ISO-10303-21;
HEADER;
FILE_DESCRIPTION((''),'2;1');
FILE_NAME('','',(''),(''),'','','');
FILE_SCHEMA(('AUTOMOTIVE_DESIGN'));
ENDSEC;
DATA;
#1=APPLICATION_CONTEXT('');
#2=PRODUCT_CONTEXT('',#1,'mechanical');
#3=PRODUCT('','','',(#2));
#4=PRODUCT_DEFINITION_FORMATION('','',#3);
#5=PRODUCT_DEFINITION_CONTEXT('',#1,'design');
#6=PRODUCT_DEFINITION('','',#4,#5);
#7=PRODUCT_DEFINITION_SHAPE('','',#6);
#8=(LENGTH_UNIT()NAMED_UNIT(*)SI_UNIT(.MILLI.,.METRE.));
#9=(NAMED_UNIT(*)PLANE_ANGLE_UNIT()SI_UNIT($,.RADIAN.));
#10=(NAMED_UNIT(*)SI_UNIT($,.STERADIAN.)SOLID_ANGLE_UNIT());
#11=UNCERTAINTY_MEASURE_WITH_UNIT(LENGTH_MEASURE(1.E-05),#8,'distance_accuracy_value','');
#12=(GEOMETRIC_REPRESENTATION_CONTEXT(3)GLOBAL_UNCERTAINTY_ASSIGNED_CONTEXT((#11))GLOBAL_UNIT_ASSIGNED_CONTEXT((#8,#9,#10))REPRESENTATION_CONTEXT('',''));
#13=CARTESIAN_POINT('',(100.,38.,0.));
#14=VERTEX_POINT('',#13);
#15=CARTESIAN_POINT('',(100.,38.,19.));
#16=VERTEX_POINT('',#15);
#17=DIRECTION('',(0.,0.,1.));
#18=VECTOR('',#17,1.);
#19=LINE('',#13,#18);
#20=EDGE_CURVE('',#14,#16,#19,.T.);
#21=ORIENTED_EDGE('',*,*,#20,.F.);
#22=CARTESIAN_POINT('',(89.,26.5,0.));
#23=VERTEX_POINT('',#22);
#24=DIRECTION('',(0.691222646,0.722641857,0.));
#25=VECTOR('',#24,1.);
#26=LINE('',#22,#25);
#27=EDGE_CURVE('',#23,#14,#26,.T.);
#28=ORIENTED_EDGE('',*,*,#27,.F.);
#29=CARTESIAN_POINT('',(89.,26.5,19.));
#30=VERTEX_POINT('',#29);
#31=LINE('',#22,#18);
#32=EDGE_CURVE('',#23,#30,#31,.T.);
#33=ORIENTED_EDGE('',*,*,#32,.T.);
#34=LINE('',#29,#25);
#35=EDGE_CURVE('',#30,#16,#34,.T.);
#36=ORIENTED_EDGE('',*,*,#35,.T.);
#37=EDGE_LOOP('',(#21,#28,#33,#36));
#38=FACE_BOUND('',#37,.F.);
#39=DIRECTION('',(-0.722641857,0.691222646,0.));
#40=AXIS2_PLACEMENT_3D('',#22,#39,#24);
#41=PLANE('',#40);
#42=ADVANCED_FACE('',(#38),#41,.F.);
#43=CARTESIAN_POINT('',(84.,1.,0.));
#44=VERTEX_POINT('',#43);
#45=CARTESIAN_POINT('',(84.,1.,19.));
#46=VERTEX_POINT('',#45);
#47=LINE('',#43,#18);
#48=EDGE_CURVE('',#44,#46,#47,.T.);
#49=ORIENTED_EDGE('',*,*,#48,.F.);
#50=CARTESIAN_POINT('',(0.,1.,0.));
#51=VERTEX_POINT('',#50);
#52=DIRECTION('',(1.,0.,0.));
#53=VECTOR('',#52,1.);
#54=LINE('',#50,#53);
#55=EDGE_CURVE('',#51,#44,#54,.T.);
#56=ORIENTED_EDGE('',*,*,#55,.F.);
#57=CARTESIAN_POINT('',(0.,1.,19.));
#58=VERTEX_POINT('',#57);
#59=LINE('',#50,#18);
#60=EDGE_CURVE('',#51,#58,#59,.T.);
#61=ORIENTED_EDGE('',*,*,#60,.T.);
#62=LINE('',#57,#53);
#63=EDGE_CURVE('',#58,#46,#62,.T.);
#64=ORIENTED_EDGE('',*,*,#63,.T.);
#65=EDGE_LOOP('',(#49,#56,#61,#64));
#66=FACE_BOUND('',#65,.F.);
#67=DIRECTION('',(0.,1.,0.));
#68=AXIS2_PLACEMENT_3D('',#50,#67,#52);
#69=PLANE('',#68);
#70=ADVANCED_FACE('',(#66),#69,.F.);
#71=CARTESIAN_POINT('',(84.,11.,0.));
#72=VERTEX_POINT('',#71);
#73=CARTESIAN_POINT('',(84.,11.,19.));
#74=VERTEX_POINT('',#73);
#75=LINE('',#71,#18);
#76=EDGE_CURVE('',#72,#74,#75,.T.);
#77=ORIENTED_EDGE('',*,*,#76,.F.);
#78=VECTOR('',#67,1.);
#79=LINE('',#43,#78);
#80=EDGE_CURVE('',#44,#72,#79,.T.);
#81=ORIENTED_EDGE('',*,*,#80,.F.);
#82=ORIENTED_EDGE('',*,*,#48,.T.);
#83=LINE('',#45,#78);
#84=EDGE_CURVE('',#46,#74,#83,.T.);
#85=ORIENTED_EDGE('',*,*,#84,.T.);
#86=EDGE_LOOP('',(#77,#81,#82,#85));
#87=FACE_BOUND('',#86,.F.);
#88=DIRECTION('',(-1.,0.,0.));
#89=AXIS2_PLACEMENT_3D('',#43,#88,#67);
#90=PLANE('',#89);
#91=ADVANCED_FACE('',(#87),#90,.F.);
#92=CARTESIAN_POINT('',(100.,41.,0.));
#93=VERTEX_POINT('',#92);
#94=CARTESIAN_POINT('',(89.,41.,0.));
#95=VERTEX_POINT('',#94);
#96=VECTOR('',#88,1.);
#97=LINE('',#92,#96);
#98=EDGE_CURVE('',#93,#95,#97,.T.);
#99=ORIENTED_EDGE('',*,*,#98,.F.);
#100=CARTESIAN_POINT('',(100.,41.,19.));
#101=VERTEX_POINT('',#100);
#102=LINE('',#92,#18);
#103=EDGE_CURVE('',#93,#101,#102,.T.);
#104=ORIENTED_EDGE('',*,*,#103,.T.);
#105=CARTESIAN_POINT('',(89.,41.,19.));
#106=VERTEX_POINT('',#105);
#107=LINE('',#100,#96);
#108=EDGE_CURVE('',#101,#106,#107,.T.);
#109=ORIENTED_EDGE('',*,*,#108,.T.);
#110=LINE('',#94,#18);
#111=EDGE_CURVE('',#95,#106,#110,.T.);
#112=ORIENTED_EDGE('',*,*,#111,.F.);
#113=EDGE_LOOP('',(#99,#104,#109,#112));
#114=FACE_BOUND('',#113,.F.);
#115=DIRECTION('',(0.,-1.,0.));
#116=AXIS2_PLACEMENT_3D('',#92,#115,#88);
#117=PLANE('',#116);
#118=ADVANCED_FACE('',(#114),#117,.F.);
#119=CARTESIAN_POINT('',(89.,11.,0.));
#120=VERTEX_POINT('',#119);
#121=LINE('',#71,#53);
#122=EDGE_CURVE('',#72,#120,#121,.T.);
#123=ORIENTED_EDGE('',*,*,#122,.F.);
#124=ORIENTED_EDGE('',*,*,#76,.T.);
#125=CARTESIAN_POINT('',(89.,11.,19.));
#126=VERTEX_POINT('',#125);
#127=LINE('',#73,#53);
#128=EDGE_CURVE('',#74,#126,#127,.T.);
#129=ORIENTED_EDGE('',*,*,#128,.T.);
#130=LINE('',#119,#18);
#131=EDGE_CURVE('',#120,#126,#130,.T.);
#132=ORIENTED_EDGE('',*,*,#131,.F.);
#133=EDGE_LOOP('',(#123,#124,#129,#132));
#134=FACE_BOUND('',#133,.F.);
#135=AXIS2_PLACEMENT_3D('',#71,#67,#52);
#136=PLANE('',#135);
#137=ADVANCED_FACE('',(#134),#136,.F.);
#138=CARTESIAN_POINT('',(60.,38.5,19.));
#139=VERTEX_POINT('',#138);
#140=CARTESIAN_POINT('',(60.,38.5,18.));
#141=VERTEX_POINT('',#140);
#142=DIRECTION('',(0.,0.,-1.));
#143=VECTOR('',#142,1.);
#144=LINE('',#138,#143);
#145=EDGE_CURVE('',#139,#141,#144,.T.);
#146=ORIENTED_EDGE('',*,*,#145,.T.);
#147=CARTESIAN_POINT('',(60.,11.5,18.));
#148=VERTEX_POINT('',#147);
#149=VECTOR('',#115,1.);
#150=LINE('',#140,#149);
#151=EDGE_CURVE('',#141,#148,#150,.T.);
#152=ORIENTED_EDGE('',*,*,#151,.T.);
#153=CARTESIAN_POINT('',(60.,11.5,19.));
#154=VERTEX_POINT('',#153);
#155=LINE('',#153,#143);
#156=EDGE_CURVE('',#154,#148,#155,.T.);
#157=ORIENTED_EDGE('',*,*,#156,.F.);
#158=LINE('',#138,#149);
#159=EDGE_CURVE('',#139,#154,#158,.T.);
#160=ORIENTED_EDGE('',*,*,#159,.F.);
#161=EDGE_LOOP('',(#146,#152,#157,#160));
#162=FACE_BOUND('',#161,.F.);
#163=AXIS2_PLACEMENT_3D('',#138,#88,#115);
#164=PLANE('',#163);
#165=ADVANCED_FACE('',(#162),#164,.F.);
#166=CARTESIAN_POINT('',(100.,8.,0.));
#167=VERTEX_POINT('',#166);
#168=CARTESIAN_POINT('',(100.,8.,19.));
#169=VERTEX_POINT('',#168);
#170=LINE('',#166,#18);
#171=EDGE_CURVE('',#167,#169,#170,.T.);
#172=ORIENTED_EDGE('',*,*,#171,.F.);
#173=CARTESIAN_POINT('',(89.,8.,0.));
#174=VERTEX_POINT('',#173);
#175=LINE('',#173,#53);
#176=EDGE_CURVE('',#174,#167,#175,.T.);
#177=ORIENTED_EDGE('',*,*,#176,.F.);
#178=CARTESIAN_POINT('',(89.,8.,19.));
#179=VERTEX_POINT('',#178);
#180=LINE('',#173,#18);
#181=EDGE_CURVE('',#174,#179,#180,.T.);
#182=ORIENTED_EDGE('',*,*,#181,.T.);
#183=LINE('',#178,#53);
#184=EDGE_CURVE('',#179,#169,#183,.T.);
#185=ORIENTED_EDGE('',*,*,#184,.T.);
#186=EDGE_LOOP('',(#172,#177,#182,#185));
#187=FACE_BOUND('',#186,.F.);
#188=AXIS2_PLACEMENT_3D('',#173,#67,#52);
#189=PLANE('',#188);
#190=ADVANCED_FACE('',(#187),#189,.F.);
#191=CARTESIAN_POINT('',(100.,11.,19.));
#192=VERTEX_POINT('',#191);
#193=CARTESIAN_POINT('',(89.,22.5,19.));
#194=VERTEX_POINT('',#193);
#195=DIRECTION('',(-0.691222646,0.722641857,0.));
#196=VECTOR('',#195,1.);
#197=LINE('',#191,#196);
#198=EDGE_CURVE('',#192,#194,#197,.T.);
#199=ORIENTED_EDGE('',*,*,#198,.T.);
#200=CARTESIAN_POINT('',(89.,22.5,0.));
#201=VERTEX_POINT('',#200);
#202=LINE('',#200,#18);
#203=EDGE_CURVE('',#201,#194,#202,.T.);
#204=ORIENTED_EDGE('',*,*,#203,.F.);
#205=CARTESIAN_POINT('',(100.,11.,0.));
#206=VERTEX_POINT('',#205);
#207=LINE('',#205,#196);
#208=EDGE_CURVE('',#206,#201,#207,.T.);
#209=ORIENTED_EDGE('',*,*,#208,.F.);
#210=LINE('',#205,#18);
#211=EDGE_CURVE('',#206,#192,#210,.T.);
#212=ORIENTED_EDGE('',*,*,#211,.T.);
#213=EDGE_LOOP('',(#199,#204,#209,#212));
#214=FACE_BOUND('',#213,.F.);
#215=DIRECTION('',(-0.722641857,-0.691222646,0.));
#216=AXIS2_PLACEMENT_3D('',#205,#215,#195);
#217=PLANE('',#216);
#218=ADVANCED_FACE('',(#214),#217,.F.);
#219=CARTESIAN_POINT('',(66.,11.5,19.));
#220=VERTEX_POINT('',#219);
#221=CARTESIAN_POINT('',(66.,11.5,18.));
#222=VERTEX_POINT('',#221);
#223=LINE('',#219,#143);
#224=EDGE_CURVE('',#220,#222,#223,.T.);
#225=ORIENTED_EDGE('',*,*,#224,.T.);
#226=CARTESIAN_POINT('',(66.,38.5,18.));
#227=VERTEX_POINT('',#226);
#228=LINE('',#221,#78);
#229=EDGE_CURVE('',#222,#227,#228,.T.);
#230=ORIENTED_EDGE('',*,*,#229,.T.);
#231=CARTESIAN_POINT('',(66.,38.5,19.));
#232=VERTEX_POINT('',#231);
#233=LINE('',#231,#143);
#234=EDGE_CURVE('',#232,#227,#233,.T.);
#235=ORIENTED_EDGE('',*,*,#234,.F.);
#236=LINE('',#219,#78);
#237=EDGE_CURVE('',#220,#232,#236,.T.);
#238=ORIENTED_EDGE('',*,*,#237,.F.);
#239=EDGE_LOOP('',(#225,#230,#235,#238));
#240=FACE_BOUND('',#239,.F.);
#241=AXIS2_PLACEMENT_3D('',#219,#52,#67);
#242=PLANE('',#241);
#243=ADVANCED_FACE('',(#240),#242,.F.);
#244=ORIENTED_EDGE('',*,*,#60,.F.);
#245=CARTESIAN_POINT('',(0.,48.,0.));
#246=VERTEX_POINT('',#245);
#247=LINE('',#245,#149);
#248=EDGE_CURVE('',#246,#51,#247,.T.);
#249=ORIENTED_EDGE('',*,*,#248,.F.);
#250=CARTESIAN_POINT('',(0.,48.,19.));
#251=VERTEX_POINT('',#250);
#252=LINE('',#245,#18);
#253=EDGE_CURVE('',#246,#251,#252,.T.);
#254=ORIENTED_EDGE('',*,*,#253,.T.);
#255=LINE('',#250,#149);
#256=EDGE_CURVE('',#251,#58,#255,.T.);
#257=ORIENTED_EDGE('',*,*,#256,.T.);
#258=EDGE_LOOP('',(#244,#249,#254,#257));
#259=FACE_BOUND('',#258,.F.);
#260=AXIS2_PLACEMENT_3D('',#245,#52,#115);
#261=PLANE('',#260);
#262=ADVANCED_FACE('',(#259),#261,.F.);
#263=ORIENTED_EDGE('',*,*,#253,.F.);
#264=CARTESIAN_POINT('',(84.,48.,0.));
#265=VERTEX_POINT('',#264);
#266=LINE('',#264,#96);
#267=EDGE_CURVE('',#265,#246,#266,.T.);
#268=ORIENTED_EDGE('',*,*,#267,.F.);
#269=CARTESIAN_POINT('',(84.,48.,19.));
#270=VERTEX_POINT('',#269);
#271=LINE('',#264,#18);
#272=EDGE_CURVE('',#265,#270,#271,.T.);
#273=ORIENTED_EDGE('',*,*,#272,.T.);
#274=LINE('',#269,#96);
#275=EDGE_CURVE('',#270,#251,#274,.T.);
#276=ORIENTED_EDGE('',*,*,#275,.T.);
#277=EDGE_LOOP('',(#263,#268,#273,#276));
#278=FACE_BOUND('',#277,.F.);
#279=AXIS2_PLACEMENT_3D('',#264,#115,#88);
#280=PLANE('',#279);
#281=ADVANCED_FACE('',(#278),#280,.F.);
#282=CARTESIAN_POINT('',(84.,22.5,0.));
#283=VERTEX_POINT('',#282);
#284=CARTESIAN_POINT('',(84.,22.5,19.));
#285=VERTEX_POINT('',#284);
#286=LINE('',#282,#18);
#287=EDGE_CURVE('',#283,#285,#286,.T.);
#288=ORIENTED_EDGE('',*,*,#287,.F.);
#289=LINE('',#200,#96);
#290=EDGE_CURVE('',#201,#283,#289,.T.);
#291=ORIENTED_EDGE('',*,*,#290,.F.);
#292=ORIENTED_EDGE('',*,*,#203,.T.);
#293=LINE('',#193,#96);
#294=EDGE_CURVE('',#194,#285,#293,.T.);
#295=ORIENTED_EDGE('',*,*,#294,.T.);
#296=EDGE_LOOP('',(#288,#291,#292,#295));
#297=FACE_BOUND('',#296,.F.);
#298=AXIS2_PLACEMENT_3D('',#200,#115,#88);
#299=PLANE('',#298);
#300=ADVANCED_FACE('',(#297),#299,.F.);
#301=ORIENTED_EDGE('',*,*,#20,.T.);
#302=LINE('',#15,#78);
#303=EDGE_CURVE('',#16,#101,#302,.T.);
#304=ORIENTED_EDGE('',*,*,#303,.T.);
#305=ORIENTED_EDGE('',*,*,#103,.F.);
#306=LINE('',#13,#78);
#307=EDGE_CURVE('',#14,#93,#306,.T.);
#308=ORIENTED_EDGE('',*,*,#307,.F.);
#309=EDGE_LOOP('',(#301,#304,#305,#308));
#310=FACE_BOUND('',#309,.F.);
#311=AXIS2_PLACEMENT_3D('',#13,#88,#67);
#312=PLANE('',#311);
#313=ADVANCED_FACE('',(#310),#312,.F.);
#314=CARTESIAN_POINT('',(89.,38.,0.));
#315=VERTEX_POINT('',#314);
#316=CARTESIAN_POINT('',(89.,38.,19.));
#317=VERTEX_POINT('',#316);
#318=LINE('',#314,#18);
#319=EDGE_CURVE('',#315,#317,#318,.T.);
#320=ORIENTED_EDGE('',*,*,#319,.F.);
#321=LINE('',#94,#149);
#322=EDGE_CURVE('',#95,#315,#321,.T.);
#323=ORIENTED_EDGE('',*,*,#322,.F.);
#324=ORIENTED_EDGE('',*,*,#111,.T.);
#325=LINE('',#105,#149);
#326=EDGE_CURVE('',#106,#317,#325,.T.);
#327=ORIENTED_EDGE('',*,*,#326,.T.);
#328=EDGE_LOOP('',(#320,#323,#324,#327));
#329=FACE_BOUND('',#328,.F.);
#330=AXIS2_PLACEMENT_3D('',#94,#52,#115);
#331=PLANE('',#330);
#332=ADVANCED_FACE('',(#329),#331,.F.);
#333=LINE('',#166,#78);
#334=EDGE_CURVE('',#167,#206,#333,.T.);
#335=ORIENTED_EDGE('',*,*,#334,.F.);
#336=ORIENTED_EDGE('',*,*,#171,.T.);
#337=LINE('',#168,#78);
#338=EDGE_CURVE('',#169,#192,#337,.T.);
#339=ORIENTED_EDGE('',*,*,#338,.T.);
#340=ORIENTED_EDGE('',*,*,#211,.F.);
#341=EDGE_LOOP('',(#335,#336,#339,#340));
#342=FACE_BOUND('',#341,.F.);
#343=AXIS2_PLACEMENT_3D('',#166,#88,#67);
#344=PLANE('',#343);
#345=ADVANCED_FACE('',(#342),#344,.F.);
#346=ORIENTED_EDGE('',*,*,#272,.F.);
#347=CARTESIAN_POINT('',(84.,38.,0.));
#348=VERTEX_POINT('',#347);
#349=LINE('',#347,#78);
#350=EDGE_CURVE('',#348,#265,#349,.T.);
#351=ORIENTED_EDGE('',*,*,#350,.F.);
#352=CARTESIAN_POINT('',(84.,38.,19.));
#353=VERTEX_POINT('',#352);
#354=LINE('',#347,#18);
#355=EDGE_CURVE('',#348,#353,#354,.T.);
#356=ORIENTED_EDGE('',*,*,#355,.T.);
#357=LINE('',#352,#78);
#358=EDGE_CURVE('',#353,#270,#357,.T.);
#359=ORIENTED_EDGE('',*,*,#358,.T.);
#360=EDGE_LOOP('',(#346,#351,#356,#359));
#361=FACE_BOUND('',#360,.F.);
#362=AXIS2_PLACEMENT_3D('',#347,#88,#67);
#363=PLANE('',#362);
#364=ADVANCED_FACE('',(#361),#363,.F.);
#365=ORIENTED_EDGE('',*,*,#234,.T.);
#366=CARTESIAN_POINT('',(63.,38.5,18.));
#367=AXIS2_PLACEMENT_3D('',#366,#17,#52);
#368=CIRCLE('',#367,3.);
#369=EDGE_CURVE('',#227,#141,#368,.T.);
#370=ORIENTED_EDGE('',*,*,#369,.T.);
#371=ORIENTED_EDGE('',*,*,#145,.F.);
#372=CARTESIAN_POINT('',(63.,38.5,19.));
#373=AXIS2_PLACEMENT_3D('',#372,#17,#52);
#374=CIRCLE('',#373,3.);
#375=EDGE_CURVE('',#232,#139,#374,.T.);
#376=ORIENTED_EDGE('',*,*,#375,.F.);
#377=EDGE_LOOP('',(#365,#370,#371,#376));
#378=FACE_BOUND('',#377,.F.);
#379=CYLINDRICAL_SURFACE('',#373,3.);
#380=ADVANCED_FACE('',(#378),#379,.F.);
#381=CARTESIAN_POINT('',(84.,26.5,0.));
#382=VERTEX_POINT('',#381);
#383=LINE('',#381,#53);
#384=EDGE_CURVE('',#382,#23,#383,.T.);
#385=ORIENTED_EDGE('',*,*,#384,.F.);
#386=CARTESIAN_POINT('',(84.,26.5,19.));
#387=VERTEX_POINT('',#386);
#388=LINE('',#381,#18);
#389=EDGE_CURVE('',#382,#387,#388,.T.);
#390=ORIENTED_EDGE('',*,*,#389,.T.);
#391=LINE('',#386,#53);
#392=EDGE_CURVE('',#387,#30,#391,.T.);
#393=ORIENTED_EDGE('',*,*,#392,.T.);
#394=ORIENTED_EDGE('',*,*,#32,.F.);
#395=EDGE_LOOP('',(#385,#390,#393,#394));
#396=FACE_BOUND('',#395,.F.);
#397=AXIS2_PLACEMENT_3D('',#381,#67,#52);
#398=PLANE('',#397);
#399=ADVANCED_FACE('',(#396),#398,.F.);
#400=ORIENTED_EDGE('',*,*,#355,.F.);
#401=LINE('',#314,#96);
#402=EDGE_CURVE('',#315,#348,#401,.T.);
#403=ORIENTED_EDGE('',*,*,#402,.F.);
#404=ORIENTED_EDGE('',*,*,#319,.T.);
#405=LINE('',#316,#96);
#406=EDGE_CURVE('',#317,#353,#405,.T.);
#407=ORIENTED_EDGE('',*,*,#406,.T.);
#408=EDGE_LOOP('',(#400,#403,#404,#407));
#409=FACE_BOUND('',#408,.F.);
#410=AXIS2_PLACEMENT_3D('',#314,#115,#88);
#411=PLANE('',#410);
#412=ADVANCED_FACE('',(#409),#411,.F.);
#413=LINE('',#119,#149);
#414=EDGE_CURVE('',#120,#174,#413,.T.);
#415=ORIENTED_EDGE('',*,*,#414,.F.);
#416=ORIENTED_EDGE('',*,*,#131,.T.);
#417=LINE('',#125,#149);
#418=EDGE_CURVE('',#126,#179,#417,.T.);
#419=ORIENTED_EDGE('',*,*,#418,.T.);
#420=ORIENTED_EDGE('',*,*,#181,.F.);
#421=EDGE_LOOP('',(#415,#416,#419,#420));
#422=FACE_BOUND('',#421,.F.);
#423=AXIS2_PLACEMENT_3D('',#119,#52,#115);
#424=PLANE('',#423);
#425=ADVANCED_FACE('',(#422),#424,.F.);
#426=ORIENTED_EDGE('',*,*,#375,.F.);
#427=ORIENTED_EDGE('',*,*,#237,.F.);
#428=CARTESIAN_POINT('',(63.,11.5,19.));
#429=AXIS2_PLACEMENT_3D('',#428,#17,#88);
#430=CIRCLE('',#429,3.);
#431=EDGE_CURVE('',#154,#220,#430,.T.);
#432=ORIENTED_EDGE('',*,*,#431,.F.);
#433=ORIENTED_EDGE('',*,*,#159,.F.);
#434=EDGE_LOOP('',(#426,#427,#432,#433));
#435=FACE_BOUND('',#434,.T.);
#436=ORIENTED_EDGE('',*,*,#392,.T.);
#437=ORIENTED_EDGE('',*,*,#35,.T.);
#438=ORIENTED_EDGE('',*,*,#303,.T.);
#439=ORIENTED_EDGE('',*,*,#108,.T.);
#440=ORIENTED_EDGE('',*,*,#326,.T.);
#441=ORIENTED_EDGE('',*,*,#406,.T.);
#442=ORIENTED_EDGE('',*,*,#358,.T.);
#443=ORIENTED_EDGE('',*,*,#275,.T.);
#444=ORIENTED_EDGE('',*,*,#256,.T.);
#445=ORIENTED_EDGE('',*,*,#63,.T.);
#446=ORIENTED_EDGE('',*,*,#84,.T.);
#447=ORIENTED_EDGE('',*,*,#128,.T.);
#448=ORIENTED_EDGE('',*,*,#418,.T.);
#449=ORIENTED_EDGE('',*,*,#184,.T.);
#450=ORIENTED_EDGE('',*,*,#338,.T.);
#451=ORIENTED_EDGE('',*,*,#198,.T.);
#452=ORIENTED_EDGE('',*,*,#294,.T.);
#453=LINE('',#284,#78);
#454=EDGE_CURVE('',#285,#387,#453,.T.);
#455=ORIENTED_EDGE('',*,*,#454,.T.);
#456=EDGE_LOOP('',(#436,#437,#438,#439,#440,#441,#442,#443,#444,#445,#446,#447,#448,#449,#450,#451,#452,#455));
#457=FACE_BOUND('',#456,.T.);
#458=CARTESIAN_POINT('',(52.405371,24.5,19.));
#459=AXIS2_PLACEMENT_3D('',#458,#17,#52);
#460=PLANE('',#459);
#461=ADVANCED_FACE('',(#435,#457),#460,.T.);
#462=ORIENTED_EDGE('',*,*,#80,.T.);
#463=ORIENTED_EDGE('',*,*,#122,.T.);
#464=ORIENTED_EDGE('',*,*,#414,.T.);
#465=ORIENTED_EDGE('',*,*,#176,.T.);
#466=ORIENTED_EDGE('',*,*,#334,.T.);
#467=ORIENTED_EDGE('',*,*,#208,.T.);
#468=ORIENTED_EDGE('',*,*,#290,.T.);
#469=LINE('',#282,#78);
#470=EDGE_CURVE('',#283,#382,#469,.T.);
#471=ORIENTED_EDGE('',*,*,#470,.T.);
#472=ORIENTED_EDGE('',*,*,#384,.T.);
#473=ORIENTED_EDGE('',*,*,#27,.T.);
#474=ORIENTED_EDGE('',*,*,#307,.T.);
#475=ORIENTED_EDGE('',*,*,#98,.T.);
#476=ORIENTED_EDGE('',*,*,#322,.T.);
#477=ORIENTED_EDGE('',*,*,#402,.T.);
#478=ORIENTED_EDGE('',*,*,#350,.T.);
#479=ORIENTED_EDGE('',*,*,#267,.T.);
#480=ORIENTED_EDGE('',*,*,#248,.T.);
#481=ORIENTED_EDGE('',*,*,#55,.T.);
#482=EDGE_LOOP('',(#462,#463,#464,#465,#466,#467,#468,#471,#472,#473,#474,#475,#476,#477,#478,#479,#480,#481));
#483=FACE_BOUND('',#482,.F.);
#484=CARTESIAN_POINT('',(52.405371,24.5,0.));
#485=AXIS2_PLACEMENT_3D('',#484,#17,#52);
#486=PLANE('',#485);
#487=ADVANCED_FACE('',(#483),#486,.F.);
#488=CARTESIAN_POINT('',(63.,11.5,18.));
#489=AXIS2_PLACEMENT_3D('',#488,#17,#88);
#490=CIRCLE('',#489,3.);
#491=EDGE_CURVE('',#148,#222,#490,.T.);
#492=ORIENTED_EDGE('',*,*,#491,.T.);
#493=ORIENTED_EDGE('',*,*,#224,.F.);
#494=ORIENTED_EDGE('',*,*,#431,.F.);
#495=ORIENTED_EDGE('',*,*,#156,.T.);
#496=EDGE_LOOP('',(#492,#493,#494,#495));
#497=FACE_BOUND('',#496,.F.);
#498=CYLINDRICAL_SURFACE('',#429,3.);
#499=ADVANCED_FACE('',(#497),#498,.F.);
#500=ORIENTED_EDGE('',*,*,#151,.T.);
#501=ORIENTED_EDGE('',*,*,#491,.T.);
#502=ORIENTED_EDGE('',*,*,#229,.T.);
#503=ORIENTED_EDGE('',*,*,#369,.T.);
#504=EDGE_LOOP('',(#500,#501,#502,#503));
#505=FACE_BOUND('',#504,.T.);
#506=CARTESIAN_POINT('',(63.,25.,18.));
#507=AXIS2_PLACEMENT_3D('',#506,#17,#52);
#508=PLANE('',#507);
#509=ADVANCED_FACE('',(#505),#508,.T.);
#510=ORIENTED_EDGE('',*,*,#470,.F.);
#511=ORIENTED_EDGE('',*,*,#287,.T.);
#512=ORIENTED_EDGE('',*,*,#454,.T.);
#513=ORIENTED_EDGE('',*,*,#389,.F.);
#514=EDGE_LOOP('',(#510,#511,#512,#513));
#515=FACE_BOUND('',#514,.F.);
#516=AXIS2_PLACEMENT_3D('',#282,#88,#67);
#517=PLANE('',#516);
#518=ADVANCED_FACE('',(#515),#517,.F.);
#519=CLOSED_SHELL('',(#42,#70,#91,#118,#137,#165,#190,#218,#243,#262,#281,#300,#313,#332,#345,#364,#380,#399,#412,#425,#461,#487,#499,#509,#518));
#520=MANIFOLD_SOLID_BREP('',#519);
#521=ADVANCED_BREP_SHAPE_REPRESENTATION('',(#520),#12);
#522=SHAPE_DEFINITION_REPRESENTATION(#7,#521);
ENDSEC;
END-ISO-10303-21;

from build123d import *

# Parameters (mm, degrees)
F1_DEPTH = 19
F3_DEPTH = 1


with BuildPart() as f1:
    # F0 (on Top) → F1 (new body)
    with BuildSketch(Plane.XY):
        Polygon((0, 48), (0, 1), (84, 1), (84, 11), (89, 11), (89, 8), (100, 8), (100, 11), (89, 22.5), (84, 22.5), (84, 24.5), (84, 26.5), (89, 26.5), (100, 38), (100, 41), (89, 41), (89, 38), (84, 38), (84, 48), align=None)
    extrude(amount=F1_DEPTH)

    # F2 (on face) → F3 (cut)
    with BuildSketch(Plane.XY.offset(19)):
        with BuildLine():
            ThreePointArc((66, 38.5), (63, 41.5), (60, 38.5))
            Line((60, 38.5), (60, 11.5))
            ThreePointArc((60, 11.5), (63, 8.5), (66, 11.5))
            Line((66, 11.5), (66, 38.5))
        make_face()
    extrude(amount=-F3_DEPTH, mode=Mode.SUBTRACT)


solid = f1.part
